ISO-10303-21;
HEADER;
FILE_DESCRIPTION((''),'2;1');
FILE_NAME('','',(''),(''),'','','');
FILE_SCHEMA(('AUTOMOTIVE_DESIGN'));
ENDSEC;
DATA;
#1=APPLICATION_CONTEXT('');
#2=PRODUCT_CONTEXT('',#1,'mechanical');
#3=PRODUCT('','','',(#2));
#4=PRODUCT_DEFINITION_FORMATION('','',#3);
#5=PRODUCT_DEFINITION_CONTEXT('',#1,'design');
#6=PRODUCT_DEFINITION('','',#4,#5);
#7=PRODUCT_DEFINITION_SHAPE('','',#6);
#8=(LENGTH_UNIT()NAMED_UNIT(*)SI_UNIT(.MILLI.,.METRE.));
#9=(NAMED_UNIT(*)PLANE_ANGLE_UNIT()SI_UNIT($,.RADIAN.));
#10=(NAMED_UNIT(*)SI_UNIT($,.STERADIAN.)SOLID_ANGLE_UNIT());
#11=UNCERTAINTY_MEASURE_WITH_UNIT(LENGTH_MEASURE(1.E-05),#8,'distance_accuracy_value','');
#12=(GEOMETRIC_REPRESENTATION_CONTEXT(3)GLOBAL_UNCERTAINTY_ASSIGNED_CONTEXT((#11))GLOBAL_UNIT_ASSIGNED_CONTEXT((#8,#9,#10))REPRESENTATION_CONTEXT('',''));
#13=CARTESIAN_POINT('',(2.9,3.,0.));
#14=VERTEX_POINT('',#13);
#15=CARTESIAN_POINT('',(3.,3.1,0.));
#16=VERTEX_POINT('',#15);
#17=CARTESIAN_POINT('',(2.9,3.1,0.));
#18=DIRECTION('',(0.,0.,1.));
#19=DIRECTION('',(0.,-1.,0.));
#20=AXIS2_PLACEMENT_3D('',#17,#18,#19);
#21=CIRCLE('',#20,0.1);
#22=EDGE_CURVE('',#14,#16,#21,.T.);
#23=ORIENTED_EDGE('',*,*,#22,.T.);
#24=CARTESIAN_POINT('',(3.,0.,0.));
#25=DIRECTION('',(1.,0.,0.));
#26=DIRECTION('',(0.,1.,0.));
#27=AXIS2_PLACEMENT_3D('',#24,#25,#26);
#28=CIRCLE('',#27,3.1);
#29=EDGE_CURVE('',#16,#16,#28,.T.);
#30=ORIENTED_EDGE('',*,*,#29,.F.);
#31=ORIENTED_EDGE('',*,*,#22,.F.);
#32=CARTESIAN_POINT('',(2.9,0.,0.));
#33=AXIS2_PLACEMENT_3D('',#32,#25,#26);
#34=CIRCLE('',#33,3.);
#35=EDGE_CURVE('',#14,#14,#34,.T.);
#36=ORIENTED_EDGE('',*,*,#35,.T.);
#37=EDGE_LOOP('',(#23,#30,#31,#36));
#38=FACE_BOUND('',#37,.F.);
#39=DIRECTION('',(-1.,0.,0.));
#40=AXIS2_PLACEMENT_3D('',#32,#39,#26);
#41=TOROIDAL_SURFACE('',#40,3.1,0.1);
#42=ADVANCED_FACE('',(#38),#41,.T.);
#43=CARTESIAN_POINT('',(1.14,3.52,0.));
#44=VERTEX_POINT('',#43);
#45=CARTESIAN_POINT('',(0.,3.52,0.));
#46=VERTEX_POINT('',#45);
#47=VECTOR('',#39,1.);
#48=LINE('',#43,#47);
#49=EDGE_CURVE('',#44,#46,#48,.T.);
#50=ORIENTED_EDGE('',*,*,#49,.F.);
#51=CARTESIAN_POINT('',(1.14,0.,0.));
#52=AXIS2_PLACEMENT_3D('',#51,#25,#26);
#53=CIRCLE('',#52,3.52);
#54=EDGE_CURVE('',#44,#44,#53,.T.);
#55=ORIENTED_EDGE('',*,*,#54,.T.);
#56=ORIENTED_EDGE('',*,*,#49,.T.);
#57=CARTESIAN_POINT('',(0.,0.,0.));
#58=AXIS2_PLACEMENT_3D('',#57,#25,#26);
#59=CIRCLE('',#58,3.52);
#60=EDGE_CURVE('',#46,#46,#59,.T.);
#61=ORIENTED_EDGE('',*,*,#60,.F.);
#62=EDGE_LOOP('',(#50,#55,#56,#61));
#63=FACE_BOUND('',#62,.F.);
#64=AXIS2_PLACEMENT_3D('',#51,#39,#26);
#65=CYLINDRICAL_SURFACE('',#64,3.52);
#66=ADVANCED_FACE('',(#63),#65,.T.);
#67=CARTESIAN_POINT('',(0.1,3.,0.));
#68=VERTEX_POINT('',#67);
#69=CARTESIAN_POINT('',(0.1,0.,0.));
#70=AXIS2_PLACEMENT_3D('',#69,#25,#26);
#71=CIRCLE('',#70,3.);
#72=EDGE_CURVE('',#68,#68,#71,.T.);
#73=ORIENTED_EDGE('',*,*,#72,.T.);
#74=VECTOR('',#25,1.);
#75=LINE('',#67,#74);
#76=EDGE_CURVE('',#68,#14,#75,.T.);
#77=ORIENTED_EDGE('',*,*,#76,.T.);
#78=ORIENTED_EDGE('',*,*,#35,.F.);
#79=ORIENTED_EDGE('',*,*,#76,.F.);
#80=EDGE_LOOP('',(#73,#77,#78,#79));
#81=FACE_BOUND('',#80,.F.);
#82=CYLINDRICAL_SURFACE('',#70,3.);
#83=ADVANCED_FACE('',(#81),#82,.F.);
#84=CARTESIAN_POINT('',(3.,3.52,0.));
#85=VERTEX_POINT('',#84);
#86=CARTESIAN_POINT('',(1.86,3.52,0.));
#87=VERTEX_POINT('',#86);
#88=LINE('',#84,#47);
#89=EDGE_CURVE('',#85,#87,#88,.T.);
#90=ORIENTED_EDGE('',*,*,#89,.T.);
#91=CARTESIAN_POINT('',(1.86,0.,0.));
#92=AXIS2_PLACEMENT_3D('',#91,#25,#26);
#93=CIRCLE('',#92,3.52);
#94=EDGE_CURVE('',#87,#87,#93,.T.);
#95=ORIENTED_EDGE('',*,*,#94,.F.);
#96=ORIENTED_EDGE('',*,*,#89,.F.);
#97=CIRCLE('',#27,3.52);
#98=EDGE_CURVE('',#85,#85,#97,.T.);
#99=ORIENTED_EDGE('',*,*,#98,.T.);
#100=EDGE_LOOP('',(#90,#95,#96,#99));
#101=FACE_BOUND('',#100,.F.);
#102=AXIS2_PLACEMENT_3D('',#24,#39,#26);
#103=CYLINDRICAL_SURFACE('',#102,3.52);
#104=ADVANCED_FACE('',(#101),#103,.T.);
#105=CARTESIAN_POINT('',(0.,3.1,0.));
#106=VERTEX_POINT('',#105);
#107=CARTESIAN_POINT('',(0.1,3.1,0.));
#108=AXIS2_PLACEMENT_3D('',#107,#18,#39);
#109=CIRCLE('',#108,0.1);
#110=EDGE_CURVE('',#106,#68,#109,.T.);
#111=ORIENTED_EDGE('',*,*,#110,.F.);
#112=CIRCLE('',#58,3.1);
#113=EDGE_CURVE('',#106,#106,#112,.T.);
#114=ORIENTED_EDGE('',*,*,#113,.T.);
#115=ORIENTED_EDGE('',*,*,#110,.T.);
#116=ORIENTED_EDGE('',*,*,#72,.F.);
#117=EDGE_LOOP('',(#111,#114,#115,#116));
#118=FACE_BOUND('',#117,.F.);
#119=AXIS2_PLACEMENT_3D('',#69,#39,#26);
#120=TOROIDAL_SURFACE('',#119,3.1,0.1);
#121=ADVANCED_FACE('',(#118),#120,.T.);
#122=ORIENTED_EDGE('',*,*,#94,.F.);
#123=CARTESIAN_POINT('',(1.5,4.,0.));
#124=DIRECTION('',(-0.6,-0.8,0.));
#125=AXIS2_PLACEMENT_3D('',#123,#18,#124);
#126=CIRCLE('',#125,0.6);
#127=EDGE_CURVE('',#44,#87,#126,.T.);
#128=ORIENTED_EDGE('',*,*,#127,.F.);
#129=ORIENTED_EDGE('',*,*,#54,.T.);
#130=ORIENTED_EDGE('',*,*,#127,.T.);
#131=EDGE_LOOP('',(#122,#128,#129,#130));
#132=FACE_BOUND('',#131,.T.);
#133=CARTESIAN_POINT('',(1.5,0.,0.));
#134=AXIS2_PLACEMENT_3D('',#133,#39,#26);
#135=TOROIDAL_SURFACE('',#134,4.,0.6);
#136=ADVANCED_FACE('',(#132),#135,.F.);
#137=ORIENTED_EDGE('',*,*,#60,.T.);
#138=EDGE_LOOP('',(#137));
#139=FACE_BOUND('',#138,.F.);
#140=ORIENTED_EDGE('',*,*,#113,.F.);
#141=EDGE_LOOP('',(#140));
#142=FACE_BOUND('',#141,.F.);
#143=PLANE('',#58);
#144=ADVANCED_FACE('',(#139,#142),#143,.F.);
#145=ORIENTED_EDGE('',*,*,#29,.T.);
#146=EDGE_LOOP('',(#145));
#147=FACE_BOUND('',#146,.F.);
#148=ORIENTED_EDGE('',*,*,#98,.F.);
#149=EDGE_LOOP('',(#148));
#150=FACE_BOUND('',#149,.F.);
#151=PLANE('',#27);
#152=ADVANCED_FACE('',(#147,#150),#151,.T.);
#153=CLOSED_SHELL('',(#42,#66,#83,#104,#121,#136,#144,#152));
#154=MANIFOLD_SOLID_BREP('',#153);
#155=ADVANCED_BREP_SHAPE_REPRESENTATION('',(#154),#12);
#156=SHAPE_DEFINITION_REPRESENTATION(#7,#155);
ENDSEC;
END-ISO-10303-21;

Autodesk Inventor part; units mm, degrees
sketch "Sketch_1" plane through (0, 0, 0) normal (0, 0, 1) x (1, 0, 0)
  line L0 (3, 0) -> (0, 0)
  arc A0 (0, 3.1) -> (0.1, 3) centre (0.1, 3.1) ccw
  line L1 (0.1, 3) -> (2.9, 3)
  arc A1 (2.9, 3) -> (3, 3.1) centre (2.9, 3.1) ccw
  line L2 (3, 3.1) -> (3, 3.52)
  line L3 (3, 3.52) -> (1.86, 3.52)
  arc A2 (1.14, 3.52) -> (1.86, 3.52) centre (1.5, 4) ccw
  line L4 (1.14, 3.52) -> (0, 3.52)
  line L5 (0, 3.52) -> (0, 3.1)
revolve "Revolution1" add sketch "Sketch_1" angle 360 about axis through (3, 0, 0) along (1, 0, 0)
ref_plane "ip_st_ir_1_1_XY" through (1.5, 4, 0) normal (1, 0, 0) x (0, 0, -1)
ref_plane "ip_st_ir_1_1_YZ" through (1.5, 4, 0) normal (0, 0, -1) x (0, 1, 0)
ref_plane "ip_st_ir_1_1_ZX" through (1.5, 4, 0) normal (0, 1, 0) x (1, 0, 0)
ref_plane "ip_st_ir_1_10_XY" through (1.5, -3.6955, -1.5307) normal (1, 0, 0) x (0, 0, -1)
ref_plane "ip_st_ir_1_10_YZ" through (1.5, -3.6955, -1.5307) normal (0, 0, -1) x (0, 1, 0)
ref_plane "ip_st_ir_1_10_ZX" through (1.5, -3.6955, -1.5307) normal (0, 1, 0) x (1, 0, 0)
ref_plane "ip_st_ir_1_11_XY" through (1.5, -2.8284, -2.8284) normal (1, 0, 0) x (0, 0, -1)
ref_plane "ip_st_ir_1_11_YZ" through (1.5, -2.8284, -2.8284) normal (0, 0, -1) x (0, 1, 0)
ref_plane "ip_st_ir_1_11_ZX" through (1.5, -2.8284, -2.8284) normal (0, 1, 0) x (1, 0, 0)
ref_plane "ip_st_ir_1_12_XY" through (1.5, -1.5307, -3.6955) normal (1, 0, 0) x (0, 0, -1)
ref_plane "ip_st_ir_1_12_YZ" through (1.5, -1.5307, -3.6955) normal (0, 0, -1) x (0, 1, 0)
ref_plane "ip_st_ir_1_12_ZX" through (1.5, -1.5307, -3.6955) normal (0, 1, 0) x (1, 0, 0)
ref_plane "ip_st_ir_1_13_XY" through (1.5, 0, -4) normal (1, 0, 0) x (0, 0, -1)
ref_plane "ip_st_ir_1_13_YZ" through (1.5, 0, -4) normal (0, 0, -1) x (0, 1, 0)
ref_plane "ip_st_ir_1_13_ZX" through (1.5, 0, -4) normal (0, 1, 0) x (1, 0, 0)
ref_plane "ip_st_ir_1_14_XY" through (1.5, 1.5307, -3.6955) normal (1, 0, 0) x (0, 0, -1)
ref_plane "ip_st_ir_1_14_YZ" through (1.5, 1.5307, -3.6955) normal (0, 0, -1) x (0, 1, 0)
ref_plane "ip_st_ir_1_14_ZX" through (1.5, 1.5307, -3.6955) normal (0, 1, 0) x (1, 0, 0)
ref_plane "ip_st_ir_1_15_XY" through (1.5, 2.8284, -2.8284) normal (1, 0, 0) x (0, 0, -1)
ref_plane "ip_st_ir_1_15_YZ" through (1.5, 2.8284, -2.8284) normal (0, 0, -1) x (0, 1, 0)
ref_plane "ip_st_ir_1_15_ZX" through (1.5, 2.8284, -2.8284) normal (0, 1, 0) x (1, 0, 0)
ref_plane "ip_st_ir_1_16_XY" through (1.5, 3.6955, -1.5307) normal (1, 0, 0) x (0, 0, -1)
ref_plane "ip_st_ir_1_16_YZ" through (1.5, 3.6955, -1.5307) normal (0, 0, -1) x (0, 1, 0)
ref_plane "ip_st_ir_1_16_ZX" through (1.5, 3.6955, -1.5307) normal (0, 1, 0) x (1, 0, 0)
ref_plane "ip_st_ir_1_2_XY" through (1.5, 3.6955, 1.5307) normal (1, 0, 0) x (0, 0, -1)
ref_plane "ip_st_ir_1_2_YZ" through (1.5, 3.6955, 1.5307) normal (0, 0, -1) x (0, 1, 0)
ref_plane "ip_st_ir_1_2_ZX" through (1.5, 3.6955, 1.5307) normal (0, 1, 0) x (1, 0, 0)
ref_plane "ip_st_ir_1_3_XY" through (1.5, 2.8284, 2.8284) normal (1, 0, 0) x (0, 0, -1)
ref_plane "ip_st_ir_1_3_YZ" through (1.5, 2.8284, 2.8284) normal (0, 0, -1) x (0, 1, 0)
ref_plane "ip_st_ir_1_3_ZX" through (1.5, 2.8284, 2.8284) normal (0, 1, 0) x (1, 0, 0)
ref_plane "ip_st_ir_1_4_XY" through (1.5, 1.5307, 3.6955) normal (1, 0, 0) x (0, 0, -1)
ref_plane "ip_st_ir_1_4_YZ" through (1.5, 1.5307, 3.6955) normal (0, 0, -1) x (0, 1, 0)
ref_plane "ip_st_ir_1_4_ZX" through (1.5, 1.5307, 3.6955) normal (0, 1, 0) x (1, 0, 0)
ref_plane "ip_st_ir_1_5_XY" through (1.5, 0, 4) normal (1, 0, 0) x (0, 0, -1)
ref_plane "ip_st_ir_1_5_YZ" through (1.5, 0, 4) normal (0, 0, -1) x (0, 1, 0)
ref_plane "ip_st_ir_1_5_ZX" through (1.5, 0, 4) normal (0, 1, 0) x (1, 0, 0)
ref_plane "ip_st_ir_1_6_XY" through (1.5, -1.5307, 3.6955) normal (1, 0, 0) x (0, 0, -1)
ref_plane "ip_st_ir_1_6_YZ" through (1.5, -1.5307, 3.6955) normal (0, 0, -1) x (0, 1, 0)
ref_plane "ip_st_ir_1_6_ZX" through (1.5, -1.5307, 3.6955) normal (0, 1, 0) x (1, 0, 0)
ref_plane "ip_st_ir_1_7_XY" through (1.5, -2.8284, 2.8284) normal (1, 0, 0) x (0, 0, -1)
ref_plane "ip_st_ir_1_7_YZ" through (1.5, -2.8284, 2.8284) normal (0, 0, -1) x (0, 1, 0)
ref_plane "ip_st_ir_1_7_ZX" through (1.5, -2.8284, 2.8284) normal (0, 1, 0) x (1, 0, 0)
ref_plane "ip_st_ir_1_8_XY" through (1.5, -3.6955, 1.5307) normal (1, 0, 0) x (0, 0, -1)
ref_plane "ip_st_ir_1_8_YZ" through (1.5, -3.6955, 1.5307) normal (0, 0, -1) x (0, 1, 0)
ref_plane "ip_st_ir_1_8_ZX" through (1.5, -3.6955, 1.5307) normal (0, 1, 0) x (1, 0, 0)
ref_plane "ip_st_ir_1_9_XY" through (1.5, -4, 0) normal (1, 0, 0) x (0, 0, -1)
ref_plane "ip_st_ir_1_9_YZ" through (1.5, -4, 0) normal (0, 0, -1) x (0, 1, 0)
ref_plane "ip_st_ir_1_9_ZX" through (1.5, -4, 0) normal (0, 1, 0) x (1, 0, 0)
ref_plane "ip_st_ir_1a_XY" through (0, 0, 0) normal (1, 0, 0) x (0, 0, -1)
ref_plane "ip_st_ir_1a_YZ" through (0, 0, 0) normal (0, 0, -1) x (0, 1, 0)
ref_plane "ip_st_ir_1a_ZX" through (0, 0, 0) normal (0, 1, 0) x (1, 0, 0)
ref_plane "ip_st_ir_2a_XY" through (0.1992, 0, 0) normal (1, 0, 0) x (0, 0, -1)
ref_plane "ip_st_ir_2a_YZ" through (0.1992, 0, 0) normal (0, 0, -1) x (0, 1, 0)
ref_plane "ip_st_ir_2a_ZX" through (0.1992, 0, 0) normal (0, 1, 0) x (1, 0, 0)
properties part number "MR106ZZ1 Inner Ring"
